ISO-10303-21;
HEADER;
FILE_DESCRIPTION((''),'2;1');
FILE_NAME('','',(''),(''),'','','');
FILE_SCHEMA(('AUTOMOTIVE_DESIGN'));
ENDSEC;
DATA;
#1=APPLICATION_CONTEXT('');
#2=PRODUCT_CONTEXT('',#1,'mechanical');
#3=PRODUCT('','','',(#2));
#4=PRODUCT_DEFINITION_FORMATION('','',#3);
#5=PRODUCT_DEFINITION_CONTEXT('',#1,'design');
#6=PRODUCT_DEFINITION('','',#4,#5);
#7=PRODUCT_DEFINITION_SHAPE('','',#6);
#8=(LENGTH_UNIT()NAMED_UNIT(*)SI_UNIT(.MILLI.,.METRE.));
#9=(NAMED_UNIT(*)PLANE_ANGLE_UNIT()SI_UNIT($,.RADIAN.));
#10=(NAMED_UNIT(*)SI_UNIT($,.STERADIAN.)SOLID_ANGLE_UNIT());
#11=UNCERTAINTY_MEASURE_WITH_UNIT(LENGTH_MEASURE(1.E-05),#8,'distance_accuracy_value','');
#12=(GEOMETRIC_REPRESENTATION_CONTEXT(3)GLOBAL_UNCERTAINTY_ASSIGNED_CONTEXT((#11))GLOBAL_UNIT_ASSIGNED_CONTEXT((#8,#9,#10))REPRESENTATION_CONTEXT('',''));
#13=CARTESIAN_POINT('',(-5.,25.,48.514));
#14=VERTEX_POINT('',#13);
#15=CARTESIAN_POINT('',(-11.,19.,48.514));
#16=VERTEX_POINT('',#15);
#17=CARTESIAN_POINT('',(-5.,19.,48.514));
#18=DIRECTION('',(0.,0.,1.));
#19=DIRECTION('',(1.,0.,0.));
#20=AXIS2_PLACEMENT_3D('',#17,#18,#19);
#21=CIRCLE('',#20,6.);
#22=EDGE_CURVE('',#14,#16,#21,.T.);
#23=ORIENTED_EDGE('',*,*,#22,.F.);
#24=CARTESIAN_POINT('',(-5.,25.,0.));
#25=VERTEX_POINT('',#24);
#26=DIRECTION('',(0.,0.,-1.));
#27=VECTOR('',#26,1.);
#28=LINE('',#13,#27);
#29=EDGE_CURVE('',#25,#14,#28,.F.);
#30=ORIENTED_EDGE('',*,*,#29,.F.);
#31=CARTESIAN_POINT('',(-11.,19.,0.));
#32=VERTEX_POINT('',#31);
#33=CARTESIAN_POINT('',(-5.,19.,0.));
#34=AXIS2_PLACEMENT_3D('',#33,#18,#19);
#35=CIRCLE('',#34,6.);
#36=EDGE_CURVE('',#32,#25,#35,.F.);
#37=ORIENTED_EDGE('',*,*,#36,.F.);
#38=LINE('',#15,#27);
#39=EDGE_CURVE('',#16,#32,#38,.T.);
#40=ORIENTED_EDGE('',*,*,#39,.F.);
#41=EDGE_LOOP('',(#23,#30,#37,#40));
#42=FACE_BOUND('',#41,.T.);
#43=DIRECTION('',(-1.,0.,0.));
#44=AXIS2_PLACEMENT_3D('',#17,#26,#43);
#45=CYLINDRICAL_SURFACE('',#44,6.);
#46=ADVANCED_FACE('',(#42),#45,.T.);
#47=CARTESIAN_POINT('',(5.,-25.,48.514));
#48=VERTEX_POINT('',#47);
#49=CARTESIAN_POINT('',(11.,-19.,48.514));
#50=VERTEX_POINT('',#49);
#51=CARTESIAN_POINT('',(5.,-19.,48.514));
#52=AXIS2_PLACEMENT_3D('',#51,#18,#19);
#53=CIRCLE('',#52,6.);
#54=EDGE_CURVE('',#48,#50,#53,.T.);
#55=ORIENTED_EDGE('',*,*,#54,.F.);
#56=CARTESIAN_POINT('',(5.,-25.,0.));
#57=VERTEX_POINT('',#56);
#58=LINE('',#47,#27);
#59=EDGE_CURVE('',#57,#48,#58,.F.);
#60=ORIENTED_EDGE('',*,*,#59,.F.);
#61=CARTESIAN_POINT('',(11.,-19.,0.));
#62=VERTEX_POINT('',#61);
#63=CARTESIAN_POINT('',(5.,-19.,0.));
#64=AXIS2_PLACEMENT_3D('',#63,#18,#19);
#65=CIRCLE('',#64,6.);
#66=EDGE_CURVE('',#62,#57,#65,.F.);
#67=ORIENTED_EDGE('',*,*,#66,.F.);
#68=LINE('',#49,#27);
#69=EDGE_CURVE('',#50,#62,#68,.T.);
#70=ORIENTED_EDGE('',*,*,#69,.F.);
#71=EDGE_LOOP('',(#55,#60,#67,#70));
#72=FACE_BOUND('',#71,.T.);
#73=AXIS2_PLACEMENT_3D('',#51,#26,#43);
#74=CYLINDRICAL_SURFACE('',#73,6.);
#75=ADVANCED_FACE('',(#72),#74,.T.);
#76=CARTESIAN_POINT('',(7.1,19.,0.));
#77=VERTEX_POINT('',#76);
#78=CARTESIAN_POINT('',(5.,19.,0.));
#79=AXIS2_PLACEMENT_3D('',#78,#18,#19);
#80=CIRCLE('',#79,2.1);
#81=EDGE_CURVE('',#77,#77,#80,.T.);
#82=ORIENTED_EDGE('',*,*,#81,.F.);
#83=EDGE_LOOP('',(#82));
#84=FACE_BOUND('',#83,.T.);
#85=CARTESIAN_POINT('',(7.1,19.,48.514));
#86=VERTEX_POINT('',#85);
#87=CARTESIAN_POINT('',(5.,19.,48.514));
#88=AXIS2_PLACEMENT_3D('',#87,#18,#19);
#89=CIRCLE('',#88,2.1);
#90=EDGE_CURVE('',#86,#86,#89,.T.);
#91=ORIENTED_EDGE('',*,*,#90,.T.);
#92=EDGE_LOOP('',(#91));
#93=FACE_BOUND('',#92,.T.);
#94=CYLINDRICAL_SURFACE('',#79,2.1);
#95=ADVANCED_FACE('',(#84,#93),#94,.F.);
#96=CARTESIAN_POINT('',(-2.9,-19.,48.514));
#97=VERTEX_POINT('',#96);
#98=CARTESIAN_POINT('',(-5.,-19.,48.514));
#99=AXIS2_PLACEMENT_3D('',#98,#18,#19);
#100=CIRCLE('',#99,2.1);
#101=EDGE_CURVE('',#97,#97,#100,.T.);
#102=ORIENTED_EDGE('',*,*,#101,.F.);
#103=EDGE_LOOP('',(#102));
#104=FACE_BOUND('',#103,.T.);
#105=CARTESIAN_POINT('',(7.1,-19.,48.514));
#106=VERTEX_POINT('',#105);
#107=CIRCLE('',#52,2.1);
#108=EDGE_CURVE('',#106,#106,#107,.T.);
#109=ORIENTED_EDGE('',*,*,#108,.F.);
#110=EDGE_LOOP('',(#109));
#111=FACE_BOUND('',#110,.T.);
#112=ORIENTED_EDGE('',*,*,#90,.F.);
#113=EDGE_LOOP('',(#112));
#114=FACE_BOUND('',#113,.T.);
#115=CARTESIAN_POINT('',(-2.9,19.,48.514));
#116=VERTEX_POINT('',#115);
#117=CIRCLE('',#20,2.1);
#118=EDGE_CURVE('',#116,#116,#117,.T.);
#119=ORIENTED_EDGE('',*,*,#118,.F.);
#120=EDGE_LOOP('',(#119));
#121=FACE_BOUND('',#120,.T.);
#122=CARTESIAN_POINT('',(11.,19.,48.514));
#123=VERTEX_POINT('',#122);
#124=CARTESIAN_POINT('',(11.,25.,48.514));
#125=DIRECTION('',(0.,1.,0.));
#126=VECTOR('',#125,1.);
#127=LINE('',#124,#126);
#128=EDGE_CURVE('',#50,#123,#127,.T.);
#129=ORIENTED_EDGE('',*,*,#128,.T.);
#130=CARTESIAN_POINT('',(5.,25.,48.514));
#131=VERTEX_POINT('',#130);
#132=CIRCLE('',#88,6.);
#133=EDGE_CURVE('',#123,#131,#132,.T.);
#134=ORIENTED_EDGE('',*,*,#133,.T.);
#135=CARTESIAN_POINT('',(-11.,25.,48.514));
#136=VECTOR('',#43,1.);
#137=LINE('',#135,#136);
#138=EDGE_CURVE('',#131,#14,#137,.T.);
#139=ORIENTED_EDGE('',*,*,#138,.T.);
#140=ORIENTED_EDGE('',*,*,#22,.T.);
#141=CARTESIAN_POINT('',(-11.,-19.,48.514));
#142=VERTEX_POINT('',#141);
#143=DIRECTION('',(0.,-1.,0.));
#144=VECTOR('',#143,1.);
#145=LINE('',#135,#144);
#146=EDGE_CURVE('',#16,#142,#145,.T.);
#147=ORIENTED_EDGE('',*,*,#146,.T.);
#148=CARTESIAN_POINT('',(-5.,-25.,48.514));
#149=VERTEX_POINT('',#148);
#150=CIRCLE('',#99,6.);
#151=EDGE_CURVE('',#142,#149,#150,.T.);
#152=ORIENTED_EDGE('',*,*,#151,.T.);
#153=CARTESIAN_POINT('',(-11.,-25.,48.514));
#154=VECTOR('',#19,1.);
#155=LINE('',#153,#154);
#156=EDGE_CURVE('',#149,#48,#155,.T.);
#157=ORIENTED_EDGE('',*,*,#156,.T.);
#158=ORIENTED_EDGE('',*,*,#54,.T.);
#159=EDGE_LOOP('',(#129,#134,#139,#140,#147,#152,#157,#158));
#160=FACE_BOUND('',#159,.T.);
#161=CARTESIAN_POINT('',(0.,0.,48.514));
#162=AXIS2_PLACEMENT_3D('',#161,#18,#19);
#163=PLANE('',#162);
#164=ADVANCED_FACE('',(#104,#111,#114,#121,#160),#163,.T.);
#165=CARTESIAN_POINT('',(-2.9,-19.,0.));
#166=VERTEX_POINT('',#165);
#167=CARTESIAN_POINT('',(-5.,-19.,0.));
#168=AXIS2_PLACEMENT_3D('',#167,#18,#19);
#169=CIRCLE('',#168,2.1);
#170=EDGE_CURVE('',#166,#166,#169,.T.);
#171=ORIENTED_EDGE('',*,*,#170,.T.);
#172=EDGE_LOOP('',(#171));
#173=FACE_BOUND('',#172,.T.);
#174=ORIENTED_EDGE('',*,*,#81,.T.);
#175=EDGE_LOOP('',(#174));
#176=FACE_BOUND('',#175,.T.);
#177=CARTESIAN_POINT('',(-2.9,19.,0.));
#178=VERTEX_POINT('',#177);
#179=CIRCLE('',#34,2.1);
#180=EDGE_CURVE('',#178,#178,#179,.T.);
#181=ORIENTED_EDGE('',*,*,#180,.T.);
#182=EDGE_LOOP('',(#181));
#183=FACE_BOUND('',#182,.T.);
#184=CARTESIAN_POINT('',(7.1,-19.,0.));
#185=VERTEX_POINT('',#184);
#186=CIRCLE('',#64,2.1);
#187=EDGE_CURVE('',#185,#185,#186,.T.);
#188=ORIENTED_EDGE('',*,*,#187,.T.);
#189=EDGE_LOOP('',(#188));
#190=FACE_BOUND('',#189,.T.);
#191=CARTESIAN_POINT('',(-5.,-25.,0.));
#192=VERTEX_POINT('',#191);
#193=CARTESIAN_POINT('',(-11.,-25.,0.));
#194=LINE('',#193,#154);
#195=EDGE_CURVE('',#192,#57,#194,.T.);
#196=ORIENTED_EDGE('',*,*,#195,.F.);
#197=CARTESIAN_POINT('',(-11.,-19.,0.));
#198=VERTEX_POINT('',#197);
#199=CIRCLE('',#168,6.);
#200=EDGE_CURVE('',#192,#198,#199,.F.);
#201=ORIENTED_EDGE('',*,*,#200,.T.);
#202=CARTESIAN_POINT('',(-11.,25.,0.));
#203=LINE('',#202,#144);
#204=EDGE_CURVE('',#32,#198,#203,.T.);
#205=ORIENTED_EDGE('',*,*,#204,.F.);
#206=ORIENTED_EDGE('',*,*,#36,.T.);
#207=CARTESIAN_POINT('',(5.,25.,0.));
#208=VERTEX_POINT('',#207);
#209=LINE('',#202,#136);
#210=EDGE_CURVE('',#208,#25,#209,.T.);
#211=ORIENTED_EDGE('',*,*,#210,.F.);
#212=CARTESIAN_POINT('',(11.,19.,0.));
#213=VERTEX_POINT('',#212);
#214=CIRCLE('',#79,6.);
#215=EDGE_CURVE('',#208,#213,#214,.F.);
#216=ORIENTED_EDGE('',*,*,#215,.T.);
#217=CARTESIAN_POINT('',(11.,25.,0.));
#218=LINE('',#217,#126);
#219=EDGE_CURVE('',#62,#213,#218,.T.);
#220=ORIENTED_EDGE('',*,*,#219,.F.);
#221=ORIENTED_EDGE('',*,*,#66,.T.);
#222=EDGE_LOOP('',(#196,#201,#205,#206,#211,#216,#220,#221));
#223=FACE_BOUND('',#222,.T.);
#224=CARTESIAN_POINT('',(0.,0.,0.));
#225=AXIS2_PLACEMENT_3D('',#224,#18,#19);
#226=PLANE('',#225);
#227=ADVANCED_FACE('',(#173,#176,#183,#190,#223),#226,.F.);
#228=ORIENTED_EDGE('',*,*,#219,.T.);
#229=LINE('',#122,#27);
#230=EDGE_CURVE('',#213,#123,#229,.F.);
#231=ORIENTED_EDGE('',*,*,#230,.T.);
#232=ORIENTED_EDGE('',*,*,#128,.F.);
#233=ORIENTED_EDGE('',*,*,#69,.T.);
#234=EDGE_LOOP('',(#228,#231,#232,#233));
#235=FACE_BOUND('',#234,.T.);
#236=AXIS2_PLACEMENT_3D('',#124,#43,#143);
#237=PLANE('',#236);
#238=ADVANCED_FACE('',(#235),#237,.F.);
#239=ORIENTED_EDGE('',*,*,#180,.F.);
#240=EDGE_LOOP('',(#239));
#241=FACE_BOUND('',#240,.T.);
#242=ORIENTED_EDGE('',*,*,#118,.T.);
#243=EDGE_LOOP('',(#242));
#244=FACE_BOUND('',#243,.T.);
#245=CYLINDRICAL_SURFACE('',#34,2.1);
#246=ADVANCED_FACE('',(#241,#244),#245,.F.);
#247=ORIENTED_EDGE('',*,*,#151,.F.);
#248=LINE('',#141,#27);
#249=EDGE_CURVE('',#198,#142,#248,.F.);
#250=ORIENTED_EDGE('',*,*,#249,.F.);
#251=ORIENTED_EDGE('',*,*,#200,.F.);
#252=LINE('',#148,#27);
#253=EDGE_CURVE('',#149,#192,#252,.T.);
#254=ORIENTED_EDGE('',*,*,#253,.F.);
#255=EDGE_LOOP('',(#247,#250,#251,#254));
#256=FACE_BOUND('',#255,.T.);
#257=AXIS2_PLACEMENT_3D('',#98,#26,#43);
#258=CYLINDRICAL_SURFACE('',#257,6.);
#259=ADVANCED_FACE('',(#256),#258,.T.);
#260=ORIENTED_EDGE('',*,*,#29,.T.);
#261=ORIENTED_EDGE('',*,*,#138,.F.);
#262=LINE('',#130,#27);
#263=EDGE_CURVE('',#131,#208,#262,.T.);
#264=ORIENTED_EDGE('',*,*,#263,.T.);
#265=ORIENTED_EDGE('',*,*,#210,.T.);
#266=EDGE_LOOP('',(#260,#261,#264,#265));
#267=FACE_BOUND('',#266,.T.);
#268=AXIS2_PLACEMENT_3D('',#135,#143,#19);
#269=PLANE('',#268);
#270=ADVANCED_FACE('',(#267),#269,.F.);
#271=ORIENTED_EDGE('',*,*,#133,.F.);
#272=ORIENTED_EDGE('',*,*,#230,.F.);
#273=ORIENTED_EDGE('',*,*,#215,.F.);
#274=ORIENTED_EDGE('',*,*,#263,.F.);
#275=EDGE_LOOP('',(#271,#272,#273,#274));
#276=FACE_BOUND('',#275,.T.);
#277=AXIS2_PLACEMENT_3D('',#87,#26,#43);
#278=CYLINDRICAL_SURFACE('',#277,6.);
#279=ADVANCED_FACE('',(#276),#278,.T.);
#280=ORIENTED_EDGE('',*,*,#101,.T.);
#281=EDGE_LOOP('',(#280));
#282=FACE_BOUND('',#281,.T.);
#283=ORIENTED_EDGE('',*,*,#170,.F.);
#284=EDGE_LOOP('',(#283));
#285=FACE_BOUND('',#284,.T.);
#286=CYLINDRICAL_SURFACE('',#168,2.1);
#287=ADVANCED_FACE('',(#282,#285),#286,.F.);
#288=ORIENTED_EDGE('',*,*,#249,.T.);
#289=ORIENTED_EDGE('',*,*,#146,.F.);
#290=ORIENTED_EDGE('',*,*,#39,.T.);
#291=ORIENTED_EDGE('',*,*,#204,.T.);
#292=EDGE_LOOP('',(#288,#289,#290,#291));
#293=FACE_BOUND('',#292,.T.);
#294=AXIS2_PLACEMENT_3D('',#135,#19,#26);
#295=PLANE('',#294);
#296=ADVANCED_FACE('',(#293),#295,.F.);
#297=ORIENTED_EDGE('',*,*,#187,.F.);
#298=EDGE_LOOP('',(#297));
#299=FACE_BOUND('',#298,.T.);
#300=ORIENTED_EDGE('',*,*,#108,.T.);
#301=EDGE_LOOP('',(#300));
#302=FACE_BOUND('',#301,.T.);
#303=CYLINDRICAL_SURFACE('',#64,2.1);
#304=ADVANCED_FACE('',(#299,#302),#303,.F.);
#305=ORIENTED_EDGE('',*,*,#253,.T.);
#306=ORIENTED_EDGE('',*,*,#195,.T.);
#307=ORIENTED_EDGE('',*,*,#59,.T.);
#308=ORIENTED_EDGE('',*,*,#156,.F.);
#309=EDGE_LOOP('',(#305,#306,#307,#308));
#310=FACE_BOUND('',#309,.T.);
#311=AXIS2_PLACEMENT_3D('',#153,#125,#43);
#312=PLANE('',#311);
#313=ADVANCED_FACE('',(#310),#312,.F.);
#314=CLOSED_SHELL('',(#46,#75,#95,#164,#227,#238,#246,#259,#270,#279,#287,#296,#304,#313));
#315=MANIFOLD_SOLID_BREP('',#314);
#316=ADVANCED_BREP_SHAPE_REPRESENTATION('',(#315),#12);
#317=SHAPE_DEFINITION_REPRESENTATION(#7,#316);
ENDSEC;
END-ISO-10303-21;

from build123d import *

# Parameters (mm, degrees)
ESQUISSE1_W             = 22
ESQUISSE1_H             = 50
BOSS_EXTRU_1_DEPTH      = 48.514
CONG_1_R                = 6
ESQUISSE2_R             = 2.1
ENL_V_MAT_EXTRU_1_DEPTH = 56.674125013


with BuildPart() as part:
    # Esquisse1 → Boss.-Extru.1 (new body)
    with BuildSketch(Plane.XY):
        Rectangle(ESQUISSE1_W, ESQUISSE1_H)
    extrude(amount=BOSS_EXTRU_1_DEPTH)

    # Congé1
    cong_1_edges = [part.edges().sort_by_distance(p)[0] for p in [
        (-11, 25, 24.257),
        (11, 25, 24.257),
        (11, -25, 24.257),
        (-11, -25, 24.257),
    ]]
    fillet(cong_1_edges, radius=CONG_1_R)

    # Esquisse2 → Enlèv. mat.-Extru.1 (cut, through all)
    with BuildSketch(Plane.XY.offset(48.514)):
        with Locations((-5, 19)):
            Circle(ESQUISSE2_R)
        with Locations((5, 19)):
            Circle(ESQUISSE2_R)
        with Locations((-5, -19)):
            Circle(ESQUISSE2_R)
        with Locations((5, -19)):
            Circle(ESQUISSE2_R)
    extrude(amount=-ENL_V_MAT_EXTRU_1_DEPTH, mode=Mode.SUBTRACT)


solid = part.part
